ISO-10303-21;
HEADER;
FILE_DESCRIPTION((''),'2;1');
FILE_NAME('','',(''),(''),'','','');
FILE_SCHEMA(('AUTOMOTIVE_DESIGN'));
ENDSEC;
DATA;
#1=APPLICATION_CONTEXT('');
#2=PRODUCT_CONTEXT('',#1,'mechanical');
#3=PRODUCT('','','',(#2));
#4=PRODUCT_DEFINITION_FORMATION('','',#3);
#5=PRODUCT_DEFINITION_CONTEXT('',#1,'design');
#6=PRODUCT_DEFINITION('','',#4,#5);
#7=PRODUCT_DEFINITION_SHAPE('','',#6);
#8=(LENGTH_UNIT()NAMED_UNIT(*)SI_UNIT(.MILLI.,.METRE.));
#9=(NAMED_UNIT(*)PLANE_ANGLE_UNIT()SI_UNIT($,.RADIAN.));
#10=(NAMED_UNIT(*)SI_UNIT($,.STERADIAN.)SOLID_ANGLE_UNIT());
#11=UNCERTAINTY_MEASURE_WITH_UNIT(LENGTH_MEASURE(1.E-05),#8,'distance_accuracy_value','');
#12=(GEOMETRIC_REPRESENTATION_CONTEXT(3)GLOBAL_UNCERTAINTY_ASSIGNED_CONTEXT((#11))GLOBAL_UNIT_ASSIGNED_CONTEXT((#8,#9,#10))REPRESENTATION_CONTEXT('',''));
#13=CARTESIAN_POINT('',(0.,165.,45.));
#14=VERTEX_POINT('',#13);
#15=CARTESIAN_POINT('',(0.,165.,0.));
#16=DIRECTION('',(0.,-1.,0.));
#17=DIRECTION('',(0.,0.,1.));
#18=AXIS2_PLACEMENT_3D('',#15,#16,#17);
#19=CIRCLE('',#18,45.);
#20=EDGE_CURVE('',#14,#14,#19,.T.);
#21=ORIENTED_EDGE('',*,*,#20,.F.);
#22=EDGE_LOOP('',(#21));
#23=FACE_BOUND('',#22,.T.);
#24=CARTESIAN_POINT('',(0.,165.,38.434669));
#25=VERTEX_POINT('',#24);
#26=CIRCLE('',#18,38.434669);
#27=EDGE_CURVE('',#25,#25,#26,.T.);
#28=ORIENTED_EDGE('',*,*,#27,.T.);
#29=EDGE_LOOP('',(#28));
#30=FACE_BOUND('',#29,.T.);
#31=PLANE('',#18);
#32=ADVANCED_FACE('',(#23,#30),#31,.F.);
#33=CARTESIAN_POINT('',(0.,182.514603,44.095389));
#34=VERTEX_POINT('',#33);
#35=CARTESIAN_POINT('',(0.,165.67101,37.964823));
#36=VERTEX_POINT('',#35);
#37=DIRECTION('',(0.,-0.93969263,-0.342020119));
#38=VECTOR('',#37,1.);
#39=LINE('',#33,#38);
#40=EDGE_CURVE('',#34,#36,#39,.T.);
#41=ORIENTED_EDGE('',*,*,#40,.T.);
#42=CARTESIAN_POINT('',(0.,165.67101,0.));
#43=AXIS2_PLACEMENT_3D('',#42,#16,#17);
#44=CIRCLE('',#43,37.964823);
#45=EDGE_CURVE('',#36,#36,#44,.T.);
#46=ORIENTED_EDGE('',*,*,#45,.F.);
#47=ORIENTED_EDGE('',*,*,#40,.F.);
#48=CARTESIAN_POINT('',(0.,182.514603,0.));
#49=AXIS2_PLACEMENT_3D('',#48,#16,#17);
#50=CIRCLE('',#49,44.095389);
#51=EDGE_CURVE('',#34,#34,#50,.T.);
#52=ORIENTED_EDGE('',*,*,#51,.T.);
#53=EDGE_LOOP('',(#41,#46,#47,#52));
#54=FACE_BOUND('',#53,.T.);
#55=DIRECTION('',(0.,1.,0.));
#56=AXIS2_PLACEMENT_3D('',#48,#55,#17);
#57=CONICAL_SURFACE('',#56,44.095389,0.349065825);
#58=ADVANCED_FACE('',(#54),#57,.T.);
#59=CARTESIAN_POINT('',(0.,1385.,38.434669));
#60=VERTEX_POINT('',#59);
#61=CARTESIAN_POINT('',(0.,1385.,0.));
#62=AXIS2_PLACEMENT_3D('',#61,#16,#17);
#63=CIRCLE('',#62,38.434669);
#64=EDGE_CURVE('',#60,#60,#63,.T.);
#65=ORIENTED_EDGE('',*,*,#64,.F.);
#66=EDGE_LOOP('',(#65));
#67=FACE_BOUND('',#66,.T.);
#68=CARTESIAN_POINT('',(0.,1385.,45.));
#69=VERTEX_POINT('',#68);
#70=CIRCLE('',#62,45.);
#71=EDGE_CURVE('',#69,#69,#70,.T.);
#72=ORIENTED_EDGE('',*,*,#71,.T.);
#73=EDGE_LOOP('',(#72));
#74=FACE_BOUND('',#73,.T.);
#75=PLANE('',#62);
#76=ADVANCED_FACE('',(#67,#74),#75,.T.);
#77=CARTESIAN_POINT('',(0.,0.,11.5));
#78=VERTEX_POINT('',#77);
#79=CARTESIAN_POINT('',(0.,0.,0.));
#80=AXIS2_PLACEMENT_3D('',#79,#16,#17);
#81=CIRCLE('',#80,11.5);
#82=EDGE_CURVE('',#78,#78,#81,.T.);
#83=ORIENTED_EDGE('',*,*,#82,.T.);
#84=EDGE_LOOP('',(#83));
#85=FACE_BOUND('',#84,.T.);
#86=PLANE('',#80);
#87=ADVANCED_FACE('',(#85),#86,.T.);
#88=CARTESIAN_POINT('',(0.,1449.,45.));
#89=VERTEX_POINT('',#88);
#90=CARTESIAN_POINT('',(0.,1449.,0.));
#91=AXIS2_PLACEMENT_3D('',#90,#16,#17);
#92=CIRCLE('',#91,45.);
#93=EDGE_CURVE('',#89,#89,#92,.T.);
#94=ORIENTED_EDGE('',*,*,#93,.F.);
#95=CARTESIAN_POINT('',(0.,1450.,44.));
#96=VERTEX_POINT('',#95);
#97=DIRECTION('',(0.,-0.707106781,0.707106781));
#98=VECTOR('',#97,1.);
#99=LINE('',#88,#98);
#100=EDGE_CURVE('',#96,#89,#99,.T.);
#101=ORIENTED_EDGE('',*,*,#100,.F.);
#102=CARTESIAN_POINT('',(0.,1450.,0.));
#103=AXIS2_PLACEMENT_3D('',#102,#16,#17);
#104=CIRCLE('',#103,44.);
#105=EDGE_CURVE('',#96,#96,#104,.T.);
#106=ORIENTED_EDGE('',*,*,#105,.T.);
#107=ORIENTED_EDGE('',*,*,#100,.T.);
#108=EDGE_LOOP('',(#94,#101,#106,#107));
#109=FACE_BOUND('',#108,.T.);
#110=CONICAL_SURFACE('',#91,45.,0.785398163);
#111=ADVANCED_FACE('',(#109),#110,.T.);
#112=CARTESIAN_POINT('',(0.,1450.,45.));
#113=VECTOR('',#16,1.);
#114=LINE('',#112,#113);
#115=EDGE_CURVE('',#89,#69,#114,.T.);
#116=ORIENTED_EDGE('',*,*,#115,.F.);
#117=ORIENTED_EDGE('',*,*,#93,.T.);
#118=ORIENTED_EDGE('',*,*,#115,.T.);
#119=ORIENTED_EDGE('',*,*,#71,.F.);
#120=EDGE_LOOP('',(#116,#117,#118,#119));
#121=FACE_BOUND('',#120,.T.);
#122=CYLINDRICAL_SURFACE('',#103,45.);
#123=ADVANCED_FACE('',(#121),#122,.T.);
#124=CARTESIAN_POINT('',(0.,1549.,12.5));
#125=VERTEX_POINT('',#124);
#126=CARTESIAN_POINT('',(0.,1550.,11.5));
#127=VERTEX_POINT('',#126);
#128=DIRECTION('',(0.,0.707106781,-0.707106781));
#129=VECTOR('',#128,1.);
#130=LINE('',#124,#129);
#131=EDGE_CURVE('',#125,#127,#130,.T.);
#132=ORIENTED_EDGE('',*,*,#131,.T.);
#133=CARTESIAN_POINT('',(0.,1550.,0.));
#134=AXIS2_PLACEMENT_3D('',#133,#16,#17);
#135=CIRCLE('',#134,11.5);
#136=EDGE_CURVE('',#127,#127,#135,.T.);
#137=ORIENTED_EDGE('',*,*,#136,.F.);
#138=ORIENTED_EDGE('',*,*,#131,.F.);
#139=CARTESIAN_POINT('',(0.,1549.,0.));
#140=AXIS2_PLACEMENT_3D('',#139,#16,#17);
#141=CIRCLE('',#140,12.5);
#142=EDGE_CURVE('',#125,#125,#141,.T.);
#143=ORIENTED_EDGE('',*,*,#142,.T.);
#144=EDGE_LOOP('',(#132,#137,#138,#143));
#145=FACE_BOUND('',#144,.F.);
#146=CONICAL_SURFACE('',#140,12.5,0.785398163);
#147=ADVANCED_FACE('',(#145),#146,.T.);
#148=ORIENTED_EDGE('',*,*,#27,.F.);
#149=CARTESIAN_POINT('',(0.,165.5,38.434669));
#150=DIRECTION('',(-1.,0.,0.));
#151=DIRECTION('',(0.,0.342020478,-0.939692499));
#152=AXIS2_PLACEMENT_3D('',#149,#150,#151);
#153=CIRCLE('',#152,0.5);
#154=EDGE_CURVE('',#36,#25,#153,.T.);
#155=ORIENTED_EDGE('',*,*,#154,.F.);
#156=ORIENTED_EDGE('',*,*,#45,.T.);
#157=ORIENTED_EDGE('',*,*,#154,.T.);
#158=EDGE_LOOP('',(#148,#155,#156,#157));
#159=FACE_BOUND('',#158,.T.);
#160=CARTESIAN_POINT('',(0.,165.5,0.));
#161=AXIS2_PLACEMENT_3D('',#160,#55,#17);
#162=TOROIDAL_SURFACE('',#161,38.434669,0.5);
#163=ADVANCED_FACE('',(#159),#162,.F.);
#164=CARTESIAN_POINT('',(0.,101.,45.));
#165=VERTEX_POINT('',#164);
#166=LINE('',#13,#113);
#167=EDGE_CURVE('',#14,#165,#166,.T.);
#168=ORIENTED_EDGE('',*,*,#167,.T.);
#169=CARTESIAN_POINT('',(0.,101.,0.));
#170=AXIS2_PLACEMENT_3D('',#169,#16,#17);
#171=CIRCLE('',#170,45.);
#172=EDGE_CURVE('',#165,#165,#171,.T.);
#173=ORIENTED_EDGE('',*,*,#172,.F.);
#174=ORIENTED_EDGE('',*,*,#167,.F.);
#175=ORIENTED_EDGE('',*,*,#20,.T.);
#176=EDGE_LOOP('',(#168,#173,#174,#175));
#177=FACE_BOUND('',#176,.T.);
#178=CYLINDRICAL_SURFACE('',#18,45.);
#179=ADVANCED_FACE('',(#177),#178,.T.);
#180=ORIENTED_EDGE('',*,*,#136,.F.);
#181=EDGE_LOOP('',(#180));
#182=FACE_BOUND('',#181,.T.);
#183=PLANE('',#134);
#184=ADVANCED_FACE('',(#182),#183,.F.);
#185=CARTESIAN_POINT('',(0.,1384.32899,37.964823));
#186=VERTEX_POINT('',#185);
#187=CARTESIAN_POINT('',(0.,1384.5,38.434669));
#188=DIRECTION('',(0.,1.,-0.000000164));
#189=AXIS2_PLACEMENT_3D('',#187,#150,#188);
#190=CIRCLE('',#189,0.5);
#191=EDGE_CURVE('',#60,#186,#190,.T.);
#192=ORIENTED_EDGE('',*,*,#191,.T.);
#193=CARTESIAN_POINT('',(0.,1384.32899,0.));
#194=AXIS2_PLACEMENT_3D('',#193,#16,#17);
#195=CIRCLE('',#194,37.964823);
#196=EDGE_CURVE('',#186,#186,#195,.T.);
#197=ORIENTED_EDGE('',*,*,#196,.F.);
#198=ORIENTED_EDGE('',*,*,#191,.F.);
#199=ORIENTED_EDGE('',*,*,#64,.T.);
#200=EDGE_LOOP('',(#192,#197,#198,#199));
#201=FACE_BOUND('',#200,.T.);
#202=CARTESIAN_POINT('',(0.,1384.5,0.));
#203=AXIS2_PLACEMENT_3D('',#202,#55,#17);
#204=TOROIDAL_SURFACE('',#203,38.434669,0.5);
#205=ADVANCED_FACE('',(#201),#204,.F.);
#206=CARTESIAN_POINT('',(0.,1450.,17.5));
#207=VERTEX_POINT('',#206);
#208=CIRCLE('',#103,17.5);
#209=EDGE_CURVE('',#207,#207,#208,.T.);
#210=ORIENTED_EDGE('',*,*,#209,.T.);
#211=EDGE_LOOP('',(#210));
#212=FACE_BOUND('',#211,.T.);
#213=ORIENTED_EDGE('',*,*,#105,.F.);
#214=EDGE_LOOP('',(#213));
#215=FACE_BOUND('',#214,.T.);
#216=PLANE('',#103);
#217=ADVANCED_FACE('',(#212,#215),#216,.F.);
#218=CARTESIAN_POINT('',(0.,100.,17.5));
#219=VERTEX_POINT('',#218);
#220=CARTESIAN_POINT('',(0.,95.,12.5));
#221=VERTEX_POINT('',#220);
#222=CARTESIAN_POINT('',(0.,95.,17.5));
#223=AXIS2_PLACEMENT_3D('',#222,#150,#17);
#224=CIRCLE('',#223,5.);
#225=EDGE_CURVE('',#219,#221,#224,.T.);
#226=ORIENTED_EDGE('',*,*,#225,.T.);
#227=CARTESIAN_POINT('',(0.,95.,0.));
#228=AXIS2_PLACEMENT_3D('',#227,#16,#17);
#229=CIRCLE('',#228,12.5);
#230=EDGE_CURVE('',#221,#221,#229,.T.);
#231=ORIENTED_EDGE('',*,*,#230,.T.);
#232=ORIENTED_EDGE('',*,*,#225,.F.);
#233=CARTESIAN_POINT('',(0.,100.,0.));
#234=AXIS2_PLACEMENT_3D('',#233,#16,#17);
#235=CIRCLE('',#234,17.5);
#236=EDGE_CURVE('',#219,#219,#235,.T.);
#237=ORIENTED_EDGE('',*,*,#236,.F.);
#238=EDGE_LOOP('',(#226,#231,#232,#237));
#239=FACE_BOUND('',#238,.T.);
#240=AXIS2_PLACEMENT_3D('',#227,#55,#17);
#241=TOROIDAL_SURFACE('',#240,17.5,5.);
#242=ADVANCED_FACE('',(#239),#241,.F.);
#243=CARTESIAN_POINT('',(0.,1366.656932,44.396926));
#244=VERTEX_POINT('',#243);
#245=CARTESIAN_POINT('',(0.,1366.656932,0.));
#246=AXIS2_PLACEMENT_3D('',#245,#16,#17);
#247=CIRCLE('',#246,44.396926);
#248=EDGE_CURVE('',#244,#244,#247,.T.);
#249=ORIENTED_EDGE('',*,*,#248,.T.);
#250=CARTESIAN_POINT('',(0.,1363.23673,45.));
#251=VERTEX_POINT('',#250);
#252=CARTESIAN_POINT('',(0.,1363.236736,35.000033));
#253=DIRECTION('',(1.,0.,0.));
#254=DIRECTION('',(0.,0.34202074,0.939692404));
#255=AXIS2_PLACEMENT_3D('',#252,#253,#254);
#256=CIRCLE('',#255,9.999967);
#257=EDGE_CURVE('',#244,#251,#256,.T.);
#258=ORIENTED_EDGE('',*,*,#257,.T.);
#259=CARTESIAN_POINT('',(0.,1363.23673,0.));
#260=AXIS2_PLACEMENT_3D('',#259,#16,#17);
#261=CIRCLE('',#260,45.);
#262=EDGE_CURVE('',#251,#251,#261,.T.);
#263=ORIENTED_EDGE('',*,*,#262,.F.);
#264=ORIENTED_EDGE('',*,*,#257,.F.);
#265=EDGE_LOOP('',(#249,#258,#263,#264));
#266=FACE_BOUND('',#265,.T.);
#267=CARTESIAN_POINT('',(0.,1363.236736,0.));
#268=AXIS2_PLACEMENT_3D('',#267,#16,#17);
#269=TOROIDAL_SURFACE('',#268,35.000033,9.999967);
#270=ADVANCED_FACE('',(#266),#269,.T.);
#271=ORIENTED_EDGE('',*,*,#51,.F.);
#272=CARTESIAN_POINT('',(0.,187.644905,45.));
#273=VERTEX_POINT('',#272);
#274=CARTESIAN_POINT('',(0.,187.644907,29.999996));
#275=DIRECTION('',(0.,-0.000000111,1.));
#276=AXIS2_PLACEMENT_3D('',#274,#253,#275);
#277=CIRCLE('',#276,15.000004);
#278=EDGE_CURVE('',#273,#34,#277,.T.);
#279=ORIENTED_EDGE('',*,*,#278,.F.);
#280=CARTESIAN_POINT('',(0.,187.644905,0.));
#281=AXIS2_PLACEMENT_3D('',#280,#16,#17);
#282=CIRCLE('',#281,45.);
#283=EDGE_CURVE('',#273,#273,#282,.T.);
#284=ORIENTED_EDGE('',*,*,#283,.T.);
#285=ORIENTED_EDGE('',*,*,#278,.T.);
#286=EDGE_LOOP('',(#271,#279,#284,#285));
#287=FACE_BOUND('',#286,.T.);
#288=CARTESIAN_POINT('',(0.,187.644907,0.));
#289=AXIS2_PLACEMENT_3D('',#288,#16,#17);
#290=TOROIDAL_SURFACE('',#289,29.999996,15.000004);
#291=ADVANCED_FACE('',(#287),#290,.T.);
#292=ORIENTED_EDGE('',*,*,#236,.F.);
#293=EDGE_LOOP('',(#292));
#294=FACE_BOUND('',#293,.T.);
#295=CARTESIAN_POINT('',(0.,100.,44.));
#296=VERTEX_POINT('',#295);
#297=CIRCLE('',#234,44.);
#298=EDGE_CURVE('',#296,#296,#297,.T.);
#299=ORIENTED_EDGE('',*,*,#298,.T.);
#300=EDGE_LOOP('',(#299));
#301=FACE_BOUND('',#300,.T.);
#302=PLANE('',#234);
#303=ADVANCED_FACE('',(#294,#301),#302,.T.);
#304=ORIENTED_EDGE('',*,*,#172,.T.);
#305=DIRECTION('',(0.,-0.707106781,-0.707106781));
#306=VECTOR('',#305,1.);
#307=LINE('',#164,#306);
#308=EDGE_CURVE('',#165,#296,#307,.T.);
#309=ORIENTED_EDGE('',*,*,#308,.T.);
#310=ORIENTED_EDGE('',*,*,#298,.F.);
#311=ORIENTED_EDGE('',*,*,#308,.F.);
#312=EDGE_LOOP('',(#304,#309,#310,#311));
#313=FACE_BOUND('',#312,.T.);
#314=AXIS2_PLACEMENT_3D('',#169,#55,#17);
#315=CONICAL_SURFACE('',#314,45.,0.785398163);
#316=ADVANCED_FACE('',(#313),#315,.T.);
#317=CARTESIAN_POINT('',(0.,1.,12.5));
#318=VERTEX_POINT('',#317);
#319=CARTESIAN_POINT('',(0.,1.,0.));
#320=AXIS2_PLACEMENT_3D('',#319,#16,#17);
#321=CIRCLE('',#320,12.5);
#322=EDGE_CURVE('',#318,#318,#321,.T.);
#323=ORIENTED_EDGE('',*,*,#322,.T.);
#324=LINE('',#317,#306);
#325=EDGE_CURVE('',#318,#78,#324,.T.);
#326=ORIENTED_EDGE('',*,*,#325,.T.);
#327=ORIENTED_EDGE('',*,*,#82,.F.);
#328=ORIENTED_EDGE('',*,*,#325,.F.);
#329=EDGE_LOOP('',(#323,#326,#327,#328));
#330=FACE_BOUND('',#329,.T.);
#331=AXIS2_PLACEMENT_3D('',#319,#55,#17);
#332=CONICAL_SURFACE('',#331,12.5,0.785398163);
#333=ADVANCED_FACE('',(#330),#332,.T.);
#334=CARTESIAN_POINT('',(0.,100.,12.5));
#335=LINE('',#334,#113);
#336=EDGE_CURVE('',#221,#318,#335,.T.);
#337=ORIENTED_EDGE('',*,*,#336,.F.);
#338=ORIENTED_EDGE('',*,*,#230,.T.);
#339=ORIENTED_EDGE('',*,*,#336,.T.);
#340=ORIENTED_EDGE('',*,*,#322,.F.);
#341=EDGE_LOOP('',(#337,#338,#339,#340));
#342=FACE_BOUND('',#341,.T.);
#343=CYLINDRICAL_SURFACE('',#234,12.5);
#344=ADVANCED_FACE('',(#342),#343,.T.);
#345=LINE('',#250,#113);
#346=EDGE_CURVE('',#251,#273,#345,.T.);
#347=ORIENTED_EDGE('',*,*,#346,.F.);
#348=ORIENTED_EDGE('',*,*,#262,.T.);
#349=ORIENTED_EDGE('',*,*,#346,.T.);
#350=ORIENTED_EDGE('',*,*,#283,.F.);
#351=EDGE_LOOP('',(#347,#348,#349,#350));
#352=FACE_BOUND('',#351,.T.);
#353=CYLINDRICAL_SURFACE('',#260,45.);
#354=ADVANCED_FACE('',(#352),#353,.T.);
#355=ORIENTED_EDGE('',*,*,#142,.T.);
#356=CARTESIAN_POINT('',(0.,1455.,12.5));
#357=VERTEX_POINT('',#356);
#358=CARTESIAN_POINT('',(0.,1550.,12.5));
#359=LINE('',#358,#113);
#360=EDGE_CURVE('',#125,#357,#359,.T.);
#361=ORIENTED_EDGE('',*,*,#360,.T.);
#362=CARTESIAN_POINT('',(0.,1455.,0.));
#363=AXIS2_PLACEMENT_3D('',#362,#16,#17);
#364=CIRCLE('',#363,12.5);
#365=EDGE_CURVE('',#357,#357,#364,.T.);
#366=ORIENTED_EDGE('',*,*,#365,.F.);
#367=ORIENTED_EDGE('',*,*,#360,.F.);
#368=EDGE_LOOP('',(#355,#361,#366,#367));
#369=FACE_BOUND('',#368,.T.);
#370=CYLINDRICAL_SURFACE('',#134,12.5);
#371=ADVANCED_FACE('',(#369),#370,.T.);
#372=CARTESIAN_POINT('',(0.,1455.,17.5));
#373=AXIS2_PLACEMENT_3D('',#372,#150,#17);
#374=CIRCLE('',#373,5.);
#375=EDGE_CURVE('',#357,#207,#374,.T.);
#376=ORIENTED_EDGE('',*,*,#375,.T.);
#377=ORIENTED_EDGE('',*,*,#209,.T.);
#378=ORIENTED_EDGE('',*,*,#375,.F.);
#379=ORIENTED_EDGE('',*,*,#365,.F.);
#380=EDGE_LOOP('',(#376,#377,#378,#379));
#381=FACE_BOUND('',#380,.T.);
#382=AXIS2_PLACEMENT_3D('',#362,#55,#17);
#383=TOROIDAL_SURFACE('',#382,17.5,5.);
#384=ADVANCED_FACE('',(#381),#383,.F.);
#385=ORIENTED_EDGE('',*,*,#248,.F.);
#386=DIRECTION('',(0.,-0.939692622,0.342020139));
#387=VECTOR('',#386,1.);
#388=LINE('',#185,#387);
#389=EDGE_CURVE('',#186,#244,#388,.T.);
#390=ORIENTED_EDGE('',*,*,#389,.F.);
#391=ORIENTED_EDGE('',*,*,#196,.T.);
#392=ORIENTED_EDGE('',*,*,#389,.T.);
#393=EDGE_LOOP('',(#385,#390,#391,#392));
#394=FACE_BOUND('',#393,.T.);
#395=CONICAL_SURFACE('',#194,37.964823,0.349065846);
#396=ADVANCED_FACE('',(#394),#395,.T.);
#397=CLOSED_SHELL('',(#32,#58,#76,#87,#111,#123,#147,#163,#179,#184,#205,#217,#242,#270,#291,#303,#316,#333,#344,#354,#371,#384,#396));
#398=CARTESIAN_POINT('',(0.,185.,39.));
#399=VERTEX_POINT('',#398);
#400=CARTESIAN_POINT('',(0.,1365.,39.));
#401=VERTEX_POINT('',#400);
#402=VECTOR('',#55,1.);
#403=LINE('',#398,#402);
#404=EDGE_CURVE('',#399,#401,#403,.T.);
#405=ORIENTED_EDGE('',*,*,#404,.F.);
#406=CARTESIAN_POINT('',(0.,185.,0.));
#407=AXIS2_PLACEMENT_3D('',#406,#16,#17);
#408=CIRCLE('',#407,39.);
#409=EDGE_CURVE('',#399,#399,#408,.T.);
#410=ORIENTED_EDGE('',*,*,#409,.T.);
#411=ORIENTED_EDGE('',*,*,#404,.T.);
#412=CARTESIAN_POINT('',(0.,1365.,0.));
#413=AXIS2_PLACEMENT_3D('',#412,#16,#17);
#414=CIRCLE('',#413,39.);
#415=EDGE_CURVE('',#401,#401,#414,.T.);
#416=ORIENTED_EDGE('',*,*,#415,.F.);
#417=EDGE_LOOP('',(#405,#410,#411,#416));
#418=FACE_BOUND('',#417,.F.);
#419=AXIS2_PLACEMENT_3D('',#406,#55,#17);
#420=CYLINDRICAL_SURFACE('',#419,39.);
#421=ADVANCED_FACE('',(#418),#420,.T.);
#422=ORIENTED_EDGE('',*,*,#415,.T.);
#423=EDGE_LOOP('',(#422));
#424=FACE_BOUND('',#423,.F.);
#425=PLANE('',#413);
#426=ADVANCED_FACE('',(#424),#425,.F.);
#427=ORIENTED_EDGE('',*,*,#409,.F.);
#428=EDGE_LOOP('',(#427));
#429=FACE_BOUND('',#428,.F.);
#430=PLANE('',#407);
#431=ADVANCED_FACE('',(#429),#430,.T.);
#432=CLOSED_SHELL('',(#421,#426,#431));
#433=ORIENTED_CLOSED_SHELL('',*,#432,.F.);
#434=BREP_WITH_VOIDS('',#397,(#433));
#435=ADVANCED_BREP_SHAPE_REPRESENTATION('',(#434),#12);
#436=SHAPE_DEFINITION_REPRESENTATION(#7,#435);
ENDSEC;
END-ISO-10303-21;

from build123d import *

# Parameters (mm, degrees)
F2_R    = 5
F3_SIZE = 1


with BuildPart() as f1:
    # F0 (on Right) → F1 (revolve)
    with BuildSketch(Plane.YZ):
        with BuildLine():
            Line((0, 12.5), (0, 0))
            Line((0, 0), (185, 0))
            Line((185, 0), (185, 39))
            Line((185, 39), (1365, 39))
            Line((1365, 39), (1365, 0))
            Line((1365, 0), (1550, 0))
            Line((1550, 0), (1550, 12.5))
            Line((1550, 12.5), (1450, 12.5))
            Line((1450, 12.5), (1450, 45))
            Line((1450, 45), (1385, 45))
            Line((1385, 45), (1385, 38.434669))
            ThreePointArc((1385, 38.434669), (1384.786788, 38.025093), (1384.32899, 37.964823))
            Line((1384.32899, 37.964823), (1366.656932, 44.396926))
            ThreePointArc((1366.656932, 44.396926), (1364.973212, 44.848078), (1363.23673, 45))
            Line((1363.23673, 45), (187.644905, 45))
            ThreePointArc((187.644905, 45), (185.040182, 44.772116), (182.514603, 44.095389))
            Line((182.514603, 44.095389), (165.67101, 37.964823))
            ThreePointArc((165.67101, 37.964823), (165.213212, 38.025093), (165, 38.434669))
            Line((165, 38.434669), (165, 45))
            Line((165, 45), (100, 45))
            Line((100, 45), (100, 12.5))
            Line((100, 12.5), (0, 12.5))
        make_face()
    revolve(axis=Axis((0, 1457.5, 0), (0, -1, 0)))

    # F2
    f2_edges = [f1.edges().sort_by_distance(p)[0] for p in [
        (0, 1450, -12.5),
        (0, 100, -12.5),
    ]]
    fillet(f2_edges, radius=F2_R)

    # F3
    f3_edges = [f1.edges().sort_by_distance(p)[0] for p in [
        (0, 1450, -45),
        (0, 1550, -12.5),
        (0, 0, -12.5),
        (0, 100, -45),
    ]]
    chamfer(f3_edges, length=F3_SIZE)


solid = f1.part
